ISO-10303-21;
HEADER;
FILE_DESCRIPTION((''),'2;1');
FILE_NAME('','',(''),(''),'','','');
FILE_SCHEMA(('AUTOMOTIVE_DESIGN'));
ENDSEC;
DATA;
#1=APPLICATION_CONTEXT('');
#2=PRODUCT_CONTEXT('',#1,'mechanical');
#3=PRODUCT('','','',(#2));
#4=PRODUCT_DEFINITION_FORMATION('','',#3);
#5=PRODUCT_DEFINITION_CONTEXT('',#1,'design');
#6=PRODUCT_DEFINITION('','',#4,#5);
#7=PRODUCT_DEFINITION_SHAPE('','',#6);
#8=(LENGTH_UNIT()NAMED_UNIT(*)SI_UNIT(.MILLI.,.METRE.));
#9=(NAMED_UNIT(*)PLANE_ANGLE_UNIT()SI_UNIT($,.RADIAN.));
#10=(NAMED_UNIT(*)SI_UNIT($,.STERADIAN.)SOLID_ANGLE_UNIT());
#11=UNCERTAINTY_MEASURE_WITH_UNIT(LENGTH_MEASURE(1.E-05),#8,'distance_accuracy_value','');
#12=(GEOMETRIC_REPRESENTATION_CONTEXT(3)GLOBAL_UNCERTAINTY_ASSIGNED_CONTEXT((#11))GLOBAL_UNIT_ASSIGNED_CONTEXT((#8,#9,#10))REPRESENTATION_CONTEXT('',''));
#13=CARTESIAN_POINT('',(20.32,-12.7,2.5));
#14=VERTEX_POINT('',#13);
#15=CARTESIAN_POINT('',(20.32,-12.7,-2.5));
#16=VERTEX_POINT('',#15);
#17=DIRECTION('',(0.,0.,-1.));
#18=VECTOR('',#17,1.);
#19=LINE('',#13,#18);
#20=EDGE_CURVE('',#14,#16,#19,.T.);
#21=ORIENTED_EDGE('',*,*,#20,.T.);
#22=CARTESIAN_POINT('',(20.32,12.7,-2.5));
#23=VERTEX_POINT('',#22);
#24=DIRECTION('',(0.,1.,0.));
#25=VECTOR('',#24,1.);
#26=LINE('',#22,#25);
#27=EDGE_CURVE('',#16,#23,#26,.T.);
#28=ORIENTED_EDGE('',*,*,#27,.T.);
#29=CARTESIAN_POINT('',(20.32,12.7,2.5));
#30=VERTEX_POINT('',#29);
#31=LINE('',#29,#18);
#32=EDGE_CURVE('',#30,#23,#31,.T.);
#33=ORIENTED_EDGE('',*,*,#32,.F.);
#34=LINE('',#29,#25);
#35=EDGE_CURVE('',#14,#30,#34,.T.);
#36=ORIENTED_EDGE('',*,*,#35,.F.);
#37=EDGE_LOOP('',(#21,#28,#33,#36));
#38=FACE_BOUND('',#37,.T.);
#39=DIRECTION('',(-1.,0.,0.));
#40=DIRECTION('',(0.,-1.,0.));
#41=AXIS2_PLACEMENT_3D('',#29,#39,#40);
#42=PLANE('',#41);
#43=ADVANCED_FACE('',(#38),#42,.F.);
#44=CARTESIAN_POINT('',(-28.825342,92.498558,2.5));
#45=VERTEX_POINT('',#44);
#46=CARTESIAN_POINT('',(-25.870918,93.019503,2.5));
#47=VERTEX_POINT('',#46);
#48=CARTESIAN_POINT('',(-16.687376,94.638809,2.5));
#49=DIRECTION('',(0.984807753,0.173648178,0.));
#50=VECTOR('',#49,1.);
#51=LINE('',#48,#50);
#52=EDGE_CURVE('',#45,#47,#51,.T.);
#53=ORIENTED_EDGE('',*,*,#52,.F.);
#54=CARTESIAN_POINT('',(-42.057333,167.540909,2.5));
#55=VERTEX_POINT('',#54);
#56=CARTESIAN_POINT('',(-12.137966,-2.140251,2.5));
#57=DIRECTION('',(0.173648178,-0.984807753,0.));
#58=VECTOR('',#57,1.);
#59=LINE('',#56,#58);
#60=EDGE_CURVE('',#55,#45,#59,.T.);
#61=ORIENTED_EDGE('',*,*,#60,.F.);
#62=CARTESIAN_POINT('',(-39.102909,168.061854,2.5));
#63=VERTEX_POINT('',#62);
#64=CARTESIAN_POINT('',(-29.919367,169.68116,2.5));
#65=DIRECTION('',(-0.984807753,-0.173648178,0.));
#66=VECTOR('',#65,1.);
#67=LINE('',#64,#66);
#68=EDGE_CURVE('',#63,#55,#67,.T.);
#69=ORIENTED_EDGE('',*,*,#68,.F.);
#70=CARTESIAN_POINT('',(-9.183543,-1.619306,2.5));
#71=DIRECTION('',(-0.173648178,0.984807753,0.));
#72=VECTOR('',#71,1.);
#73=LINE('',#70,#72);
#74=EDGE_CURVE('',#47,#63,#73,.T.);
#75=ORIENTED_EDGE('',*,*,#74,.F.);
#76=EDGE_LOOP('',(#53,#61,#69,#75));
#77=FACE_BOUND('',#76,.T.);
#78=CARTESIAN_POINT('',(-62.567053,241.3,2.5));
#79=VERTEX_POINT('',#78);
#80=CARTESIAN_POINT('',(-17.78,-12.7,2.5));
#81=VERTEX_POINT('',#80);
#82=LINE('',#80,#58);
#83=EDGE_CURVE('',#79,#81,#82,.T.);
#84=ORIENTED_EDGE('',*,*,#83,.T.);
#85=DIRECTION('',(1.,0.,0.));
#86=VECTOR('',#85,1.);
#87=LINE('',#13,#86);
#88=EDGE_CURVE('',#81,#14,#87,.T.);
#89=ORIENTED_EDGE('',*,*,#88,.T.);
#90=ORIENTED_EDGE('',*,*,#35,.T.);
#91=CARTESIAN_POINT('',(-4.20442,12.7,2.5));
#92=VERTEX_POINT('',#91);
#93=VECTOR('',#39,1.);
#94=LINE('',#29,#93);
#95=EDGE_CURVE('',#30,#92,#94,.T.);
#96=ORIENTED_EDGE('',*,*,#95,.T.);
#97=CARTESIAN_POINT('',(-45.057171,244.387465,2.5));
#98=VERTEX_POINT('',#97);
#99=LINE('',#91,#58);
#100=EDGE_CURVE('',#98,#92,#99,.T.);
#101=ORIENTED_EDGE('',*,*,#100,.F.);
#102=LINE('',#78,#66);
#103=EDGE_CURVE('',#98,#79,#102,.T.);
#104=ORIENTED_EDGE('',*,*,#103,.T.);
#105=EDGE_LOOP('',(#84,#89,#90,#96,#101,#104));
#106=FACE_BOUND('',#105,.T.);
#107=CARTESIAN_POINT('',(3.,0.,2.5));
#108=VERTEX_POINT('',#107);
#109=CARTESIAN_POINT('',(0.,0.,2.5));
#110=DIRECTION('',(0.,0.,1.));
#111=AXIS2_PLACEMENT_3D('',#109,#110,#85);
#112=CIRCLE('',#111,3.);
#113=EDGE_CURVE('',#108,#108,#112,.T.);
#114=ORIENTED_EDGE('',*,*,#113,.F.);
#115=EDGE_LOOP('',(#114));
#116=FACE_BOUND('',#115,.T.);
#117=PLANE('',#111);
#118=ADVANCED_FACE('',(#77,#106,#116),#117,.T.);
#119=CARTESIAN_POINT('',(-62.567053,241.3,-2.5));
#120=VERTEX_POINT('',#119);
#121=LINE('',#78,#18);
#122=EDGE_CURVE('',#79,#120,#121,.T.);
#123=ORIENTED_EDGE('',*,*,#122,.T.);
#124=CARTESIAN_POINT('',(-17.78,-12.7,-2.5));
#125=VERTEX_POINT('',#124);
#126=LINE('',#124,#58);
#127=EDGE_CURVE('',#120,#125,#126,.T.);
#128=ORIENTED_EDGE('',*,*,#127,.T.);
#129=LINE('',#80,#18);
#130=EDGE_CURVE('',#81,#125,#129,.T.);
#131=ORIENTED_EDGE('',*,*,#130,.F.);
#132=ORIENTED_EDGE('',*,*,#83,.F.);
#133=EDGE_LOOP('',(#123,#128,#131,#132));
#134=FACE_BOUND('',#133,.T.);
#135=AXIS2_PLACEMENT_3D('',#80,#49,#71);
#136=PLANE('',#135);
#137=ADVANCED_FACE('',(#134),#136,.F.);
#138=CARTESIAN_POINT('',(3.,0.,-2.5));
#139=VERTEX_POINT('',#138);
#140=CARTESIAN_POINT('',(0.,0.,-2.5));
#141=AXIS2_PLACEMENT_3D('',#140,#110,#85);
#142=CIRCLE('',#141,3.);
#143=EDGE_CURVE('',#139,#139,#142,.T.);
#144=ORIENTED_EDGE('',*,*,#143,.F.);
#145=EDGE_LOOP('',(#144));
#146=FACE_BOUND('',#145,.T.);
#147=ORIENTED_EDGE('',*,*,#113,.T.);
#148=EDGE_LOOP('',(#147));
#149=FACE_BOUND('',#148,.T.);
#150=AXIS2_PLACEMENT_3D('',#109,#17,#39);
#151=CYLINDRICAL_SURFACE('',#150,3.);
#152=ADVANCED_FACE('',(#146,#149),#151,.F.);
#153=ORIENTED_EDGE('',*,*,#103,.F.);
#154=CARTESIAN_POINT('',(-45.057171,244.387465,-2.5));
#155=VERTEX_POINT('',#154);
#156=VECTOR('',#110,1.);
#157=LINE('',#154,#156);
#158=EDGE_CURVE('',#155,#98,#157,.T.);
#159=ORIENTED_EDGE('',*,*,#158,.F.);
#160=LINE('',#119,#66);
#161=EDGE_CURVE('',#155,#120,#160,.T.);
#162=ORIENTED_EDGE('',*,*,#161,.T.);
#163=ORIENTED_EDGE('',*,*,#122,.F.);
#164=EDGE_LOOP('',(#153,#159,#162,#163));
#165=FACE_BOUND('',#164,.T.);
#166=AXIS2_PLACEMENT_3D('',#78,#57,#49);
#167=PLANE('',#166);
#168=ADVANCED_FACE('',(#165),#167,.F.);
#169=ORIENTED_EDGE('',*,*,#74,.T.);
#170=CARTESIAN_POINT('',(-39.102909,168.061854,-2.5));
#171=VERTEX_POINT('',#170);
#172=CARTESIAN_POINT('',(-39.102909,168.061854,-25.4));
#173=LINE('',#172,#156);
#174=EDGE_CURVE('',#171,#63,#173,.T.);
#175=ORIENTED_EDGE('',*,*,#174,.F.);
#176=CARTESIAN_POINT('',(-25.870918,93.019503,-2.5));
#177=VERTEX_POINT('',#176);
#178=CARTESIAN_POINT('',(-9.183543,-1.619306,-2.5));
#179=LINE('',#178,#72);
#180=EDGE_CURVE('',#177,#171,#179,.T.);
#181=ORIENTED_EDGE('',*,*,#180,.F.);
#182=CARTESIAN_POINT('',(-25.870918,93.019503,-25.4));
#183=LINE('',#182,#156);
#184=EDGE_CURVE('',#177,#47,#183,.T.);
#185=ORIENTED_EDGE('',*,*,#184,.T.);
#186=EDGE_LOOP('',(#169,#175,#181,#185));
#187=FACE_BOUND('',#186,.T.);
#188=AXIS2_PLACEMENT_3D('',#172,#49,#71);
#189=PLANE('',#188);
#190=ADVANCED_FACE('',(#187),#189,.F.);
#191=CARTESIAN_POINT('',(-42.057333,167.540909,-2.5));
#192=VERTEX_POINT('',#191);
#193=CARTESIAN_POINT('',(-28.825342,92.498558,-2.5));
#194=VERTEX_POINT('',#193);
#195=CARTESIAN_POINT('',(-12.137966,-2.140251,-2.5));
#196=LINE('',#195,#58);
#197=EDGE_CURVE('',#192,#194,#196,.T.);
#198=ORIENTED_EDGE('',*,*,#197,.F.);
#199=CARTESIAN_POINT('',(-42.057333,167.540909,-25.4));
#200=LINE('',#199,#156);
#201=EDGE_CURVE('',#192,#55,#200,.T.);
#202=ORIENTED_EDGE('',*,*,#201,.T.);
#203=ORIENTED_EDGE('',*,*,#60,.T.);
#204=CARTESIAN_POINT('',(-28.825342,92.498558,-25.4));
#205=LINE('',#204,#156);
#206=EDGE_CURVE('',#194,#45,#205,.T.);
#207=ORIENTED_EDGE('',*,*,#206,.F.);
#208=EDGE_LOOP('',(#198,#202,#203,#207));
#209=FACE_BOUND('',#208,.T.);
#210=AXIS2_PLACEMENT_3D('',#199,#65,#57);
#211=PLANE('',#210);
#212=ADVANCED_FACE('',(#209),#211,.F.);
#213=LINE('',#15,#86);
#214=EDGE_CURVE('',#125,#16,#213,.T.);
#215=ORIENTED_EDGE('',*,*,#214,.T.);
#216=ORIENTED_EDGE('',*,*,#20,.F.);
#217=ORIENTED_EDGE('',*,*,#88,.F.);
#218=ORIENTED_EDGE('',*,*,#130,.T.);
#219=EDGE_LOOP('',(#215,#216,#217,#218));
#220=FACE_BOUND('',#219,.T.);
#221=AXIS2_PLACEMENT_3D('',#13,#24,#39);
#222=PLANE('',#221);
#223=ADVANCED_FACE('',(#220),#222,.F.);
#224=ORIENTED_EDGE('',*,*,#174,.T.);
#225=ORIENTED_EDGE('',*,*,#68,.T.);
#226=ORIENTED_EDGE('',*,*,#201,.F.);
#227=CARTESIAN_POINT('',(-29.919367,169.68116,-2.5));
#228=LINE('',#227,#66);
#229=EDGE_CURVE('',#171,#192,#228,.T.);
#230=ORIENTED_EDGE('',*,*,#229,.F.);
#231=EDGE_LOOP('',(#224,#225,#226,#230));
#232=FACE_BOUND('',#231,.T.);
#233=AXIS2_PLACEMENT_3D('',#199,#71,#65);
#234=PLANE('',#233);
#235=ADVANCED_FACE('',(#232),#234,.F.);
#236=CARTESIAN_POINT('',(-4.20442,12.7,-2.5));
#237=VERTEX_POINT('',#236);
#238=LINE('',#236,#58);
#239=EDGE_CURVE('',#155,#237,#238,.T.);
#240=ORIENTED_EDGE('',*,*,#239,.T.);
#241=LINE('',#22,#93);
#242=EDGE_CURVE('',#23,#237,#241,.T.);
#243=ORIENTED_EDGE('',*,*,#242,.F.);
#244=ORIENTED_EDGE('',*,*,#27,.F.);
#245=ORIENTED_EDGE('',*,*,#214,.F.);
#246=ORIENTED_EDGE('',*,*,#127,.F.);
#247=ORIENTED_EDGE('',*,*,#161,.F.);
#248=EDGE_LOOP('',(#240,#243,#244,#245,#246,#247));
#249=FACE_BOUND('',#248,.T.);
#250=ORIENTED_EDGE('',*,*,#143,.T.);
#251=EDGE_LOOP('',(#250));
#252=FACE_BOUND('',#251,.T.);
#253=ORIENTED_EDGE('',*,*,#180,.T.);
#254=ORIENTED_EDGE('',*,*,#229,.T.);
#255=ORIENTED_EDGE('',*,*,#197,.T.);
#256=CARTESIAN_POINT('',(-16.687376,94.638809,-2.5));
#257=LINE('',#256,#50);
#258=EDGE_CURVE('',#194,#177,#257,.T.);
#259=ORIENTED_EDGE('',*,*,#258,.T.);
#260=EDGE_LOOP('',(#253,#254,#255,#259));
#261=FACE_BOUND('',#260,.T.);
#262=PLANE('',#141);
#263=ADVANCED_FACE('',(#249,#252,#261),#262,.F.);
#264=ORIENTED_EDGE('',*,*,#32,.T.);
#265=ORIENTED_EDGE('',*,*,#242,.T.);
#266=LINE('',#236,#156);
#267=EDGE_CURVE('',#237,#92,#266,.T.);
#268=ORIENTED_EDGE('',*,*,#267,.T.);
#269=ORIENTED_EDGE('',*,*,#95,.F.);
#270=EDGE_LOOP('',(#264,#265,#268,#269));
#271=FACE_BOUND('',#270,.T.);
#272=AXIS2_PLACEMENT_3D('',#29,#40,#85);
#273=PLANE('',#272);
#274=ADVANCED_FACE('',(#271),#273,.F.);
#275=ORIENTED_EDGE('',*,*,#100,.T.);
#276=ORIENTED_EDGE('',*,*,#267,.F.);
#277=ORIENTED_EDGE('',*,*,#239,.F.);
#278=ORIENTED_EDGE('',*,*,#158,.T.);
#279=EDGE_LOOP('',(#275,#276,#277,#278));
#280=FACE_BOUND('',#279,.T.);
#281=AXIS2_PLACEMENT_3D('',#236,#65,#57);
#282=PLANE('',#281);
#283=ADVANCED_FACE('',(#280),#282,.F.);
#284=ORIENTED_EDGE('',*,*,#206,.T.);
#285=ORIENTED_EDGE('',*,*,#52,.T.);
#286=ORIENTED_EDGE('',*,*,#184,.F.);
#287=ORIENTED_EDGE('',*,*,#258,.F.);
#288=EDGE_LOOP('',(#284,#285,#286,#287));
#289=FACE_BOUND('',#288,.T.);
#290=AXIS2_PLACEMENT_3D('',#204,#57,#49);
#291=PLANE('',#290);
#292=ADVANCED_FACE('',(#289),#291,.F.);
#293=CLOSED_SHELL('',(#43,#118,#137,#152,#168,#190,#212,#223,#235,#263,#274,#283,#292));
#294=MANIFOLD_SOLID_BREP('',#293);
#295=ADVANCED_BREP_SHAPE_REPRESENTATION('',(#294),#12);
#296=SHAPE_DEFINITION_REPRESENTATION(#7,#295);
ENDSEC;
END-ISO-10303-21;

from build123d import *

# Parameters (mm, degrees)
SKETCH1_R           = 3
BOSS_EXTRUDE1_DEPTH = 2.5
CUT_EXTRUDE1_DEPTH  = 6
CUT_EXTRUDE2_DEPTH  = 25.4


with BuildPart() as part:
    # Sketch1 → Boss-Extrude1 (new body, symmetric)
    with BuildSketch(Plane.XY):
        Polygon((20.32, 12.7), (20.32, -12.7), (-17.78, -12.7), (-62.5670531, 241.3), (-37.552936173, 245.710663713), (3.533130632, 12.7), align=None)
        Circle(SKETCH1_R, mode=Mode.SUBTRACT)
    extrude(amount=BOSS_EXTRUDE1_DEPTH, both=True)

    # Sketch2 → Cut-Extrude1 (cut, through all)
    with BuildSketch(Plane.XY.offset(2.5)):
        Polygon((-37.552936173, 245.710663713), (3.533130632, 12.7), (-4.204420151, 12.7), (-45.057171251, 244.387464599), align=None)
    extrude(amount=-CUT_EXTRUDE1_DEPTH, mode=Mode.SUBTRACT)

    # Sketch3 → Cut-Extrude2 (cut, symmetric)
    with BuildSketch(Plane.XY):
        Polygon((-42.057332667, 167.540909253), (-39.102909408, 168.061853786), (-25.87091827, 93.019503007), (-28.825341529, 92.498558474), align=None)
    extrude(amount=CUT_EXTRUDE2_DEPTH, both=True, mode=Mode.SUBTRACT)


solid = part.part
